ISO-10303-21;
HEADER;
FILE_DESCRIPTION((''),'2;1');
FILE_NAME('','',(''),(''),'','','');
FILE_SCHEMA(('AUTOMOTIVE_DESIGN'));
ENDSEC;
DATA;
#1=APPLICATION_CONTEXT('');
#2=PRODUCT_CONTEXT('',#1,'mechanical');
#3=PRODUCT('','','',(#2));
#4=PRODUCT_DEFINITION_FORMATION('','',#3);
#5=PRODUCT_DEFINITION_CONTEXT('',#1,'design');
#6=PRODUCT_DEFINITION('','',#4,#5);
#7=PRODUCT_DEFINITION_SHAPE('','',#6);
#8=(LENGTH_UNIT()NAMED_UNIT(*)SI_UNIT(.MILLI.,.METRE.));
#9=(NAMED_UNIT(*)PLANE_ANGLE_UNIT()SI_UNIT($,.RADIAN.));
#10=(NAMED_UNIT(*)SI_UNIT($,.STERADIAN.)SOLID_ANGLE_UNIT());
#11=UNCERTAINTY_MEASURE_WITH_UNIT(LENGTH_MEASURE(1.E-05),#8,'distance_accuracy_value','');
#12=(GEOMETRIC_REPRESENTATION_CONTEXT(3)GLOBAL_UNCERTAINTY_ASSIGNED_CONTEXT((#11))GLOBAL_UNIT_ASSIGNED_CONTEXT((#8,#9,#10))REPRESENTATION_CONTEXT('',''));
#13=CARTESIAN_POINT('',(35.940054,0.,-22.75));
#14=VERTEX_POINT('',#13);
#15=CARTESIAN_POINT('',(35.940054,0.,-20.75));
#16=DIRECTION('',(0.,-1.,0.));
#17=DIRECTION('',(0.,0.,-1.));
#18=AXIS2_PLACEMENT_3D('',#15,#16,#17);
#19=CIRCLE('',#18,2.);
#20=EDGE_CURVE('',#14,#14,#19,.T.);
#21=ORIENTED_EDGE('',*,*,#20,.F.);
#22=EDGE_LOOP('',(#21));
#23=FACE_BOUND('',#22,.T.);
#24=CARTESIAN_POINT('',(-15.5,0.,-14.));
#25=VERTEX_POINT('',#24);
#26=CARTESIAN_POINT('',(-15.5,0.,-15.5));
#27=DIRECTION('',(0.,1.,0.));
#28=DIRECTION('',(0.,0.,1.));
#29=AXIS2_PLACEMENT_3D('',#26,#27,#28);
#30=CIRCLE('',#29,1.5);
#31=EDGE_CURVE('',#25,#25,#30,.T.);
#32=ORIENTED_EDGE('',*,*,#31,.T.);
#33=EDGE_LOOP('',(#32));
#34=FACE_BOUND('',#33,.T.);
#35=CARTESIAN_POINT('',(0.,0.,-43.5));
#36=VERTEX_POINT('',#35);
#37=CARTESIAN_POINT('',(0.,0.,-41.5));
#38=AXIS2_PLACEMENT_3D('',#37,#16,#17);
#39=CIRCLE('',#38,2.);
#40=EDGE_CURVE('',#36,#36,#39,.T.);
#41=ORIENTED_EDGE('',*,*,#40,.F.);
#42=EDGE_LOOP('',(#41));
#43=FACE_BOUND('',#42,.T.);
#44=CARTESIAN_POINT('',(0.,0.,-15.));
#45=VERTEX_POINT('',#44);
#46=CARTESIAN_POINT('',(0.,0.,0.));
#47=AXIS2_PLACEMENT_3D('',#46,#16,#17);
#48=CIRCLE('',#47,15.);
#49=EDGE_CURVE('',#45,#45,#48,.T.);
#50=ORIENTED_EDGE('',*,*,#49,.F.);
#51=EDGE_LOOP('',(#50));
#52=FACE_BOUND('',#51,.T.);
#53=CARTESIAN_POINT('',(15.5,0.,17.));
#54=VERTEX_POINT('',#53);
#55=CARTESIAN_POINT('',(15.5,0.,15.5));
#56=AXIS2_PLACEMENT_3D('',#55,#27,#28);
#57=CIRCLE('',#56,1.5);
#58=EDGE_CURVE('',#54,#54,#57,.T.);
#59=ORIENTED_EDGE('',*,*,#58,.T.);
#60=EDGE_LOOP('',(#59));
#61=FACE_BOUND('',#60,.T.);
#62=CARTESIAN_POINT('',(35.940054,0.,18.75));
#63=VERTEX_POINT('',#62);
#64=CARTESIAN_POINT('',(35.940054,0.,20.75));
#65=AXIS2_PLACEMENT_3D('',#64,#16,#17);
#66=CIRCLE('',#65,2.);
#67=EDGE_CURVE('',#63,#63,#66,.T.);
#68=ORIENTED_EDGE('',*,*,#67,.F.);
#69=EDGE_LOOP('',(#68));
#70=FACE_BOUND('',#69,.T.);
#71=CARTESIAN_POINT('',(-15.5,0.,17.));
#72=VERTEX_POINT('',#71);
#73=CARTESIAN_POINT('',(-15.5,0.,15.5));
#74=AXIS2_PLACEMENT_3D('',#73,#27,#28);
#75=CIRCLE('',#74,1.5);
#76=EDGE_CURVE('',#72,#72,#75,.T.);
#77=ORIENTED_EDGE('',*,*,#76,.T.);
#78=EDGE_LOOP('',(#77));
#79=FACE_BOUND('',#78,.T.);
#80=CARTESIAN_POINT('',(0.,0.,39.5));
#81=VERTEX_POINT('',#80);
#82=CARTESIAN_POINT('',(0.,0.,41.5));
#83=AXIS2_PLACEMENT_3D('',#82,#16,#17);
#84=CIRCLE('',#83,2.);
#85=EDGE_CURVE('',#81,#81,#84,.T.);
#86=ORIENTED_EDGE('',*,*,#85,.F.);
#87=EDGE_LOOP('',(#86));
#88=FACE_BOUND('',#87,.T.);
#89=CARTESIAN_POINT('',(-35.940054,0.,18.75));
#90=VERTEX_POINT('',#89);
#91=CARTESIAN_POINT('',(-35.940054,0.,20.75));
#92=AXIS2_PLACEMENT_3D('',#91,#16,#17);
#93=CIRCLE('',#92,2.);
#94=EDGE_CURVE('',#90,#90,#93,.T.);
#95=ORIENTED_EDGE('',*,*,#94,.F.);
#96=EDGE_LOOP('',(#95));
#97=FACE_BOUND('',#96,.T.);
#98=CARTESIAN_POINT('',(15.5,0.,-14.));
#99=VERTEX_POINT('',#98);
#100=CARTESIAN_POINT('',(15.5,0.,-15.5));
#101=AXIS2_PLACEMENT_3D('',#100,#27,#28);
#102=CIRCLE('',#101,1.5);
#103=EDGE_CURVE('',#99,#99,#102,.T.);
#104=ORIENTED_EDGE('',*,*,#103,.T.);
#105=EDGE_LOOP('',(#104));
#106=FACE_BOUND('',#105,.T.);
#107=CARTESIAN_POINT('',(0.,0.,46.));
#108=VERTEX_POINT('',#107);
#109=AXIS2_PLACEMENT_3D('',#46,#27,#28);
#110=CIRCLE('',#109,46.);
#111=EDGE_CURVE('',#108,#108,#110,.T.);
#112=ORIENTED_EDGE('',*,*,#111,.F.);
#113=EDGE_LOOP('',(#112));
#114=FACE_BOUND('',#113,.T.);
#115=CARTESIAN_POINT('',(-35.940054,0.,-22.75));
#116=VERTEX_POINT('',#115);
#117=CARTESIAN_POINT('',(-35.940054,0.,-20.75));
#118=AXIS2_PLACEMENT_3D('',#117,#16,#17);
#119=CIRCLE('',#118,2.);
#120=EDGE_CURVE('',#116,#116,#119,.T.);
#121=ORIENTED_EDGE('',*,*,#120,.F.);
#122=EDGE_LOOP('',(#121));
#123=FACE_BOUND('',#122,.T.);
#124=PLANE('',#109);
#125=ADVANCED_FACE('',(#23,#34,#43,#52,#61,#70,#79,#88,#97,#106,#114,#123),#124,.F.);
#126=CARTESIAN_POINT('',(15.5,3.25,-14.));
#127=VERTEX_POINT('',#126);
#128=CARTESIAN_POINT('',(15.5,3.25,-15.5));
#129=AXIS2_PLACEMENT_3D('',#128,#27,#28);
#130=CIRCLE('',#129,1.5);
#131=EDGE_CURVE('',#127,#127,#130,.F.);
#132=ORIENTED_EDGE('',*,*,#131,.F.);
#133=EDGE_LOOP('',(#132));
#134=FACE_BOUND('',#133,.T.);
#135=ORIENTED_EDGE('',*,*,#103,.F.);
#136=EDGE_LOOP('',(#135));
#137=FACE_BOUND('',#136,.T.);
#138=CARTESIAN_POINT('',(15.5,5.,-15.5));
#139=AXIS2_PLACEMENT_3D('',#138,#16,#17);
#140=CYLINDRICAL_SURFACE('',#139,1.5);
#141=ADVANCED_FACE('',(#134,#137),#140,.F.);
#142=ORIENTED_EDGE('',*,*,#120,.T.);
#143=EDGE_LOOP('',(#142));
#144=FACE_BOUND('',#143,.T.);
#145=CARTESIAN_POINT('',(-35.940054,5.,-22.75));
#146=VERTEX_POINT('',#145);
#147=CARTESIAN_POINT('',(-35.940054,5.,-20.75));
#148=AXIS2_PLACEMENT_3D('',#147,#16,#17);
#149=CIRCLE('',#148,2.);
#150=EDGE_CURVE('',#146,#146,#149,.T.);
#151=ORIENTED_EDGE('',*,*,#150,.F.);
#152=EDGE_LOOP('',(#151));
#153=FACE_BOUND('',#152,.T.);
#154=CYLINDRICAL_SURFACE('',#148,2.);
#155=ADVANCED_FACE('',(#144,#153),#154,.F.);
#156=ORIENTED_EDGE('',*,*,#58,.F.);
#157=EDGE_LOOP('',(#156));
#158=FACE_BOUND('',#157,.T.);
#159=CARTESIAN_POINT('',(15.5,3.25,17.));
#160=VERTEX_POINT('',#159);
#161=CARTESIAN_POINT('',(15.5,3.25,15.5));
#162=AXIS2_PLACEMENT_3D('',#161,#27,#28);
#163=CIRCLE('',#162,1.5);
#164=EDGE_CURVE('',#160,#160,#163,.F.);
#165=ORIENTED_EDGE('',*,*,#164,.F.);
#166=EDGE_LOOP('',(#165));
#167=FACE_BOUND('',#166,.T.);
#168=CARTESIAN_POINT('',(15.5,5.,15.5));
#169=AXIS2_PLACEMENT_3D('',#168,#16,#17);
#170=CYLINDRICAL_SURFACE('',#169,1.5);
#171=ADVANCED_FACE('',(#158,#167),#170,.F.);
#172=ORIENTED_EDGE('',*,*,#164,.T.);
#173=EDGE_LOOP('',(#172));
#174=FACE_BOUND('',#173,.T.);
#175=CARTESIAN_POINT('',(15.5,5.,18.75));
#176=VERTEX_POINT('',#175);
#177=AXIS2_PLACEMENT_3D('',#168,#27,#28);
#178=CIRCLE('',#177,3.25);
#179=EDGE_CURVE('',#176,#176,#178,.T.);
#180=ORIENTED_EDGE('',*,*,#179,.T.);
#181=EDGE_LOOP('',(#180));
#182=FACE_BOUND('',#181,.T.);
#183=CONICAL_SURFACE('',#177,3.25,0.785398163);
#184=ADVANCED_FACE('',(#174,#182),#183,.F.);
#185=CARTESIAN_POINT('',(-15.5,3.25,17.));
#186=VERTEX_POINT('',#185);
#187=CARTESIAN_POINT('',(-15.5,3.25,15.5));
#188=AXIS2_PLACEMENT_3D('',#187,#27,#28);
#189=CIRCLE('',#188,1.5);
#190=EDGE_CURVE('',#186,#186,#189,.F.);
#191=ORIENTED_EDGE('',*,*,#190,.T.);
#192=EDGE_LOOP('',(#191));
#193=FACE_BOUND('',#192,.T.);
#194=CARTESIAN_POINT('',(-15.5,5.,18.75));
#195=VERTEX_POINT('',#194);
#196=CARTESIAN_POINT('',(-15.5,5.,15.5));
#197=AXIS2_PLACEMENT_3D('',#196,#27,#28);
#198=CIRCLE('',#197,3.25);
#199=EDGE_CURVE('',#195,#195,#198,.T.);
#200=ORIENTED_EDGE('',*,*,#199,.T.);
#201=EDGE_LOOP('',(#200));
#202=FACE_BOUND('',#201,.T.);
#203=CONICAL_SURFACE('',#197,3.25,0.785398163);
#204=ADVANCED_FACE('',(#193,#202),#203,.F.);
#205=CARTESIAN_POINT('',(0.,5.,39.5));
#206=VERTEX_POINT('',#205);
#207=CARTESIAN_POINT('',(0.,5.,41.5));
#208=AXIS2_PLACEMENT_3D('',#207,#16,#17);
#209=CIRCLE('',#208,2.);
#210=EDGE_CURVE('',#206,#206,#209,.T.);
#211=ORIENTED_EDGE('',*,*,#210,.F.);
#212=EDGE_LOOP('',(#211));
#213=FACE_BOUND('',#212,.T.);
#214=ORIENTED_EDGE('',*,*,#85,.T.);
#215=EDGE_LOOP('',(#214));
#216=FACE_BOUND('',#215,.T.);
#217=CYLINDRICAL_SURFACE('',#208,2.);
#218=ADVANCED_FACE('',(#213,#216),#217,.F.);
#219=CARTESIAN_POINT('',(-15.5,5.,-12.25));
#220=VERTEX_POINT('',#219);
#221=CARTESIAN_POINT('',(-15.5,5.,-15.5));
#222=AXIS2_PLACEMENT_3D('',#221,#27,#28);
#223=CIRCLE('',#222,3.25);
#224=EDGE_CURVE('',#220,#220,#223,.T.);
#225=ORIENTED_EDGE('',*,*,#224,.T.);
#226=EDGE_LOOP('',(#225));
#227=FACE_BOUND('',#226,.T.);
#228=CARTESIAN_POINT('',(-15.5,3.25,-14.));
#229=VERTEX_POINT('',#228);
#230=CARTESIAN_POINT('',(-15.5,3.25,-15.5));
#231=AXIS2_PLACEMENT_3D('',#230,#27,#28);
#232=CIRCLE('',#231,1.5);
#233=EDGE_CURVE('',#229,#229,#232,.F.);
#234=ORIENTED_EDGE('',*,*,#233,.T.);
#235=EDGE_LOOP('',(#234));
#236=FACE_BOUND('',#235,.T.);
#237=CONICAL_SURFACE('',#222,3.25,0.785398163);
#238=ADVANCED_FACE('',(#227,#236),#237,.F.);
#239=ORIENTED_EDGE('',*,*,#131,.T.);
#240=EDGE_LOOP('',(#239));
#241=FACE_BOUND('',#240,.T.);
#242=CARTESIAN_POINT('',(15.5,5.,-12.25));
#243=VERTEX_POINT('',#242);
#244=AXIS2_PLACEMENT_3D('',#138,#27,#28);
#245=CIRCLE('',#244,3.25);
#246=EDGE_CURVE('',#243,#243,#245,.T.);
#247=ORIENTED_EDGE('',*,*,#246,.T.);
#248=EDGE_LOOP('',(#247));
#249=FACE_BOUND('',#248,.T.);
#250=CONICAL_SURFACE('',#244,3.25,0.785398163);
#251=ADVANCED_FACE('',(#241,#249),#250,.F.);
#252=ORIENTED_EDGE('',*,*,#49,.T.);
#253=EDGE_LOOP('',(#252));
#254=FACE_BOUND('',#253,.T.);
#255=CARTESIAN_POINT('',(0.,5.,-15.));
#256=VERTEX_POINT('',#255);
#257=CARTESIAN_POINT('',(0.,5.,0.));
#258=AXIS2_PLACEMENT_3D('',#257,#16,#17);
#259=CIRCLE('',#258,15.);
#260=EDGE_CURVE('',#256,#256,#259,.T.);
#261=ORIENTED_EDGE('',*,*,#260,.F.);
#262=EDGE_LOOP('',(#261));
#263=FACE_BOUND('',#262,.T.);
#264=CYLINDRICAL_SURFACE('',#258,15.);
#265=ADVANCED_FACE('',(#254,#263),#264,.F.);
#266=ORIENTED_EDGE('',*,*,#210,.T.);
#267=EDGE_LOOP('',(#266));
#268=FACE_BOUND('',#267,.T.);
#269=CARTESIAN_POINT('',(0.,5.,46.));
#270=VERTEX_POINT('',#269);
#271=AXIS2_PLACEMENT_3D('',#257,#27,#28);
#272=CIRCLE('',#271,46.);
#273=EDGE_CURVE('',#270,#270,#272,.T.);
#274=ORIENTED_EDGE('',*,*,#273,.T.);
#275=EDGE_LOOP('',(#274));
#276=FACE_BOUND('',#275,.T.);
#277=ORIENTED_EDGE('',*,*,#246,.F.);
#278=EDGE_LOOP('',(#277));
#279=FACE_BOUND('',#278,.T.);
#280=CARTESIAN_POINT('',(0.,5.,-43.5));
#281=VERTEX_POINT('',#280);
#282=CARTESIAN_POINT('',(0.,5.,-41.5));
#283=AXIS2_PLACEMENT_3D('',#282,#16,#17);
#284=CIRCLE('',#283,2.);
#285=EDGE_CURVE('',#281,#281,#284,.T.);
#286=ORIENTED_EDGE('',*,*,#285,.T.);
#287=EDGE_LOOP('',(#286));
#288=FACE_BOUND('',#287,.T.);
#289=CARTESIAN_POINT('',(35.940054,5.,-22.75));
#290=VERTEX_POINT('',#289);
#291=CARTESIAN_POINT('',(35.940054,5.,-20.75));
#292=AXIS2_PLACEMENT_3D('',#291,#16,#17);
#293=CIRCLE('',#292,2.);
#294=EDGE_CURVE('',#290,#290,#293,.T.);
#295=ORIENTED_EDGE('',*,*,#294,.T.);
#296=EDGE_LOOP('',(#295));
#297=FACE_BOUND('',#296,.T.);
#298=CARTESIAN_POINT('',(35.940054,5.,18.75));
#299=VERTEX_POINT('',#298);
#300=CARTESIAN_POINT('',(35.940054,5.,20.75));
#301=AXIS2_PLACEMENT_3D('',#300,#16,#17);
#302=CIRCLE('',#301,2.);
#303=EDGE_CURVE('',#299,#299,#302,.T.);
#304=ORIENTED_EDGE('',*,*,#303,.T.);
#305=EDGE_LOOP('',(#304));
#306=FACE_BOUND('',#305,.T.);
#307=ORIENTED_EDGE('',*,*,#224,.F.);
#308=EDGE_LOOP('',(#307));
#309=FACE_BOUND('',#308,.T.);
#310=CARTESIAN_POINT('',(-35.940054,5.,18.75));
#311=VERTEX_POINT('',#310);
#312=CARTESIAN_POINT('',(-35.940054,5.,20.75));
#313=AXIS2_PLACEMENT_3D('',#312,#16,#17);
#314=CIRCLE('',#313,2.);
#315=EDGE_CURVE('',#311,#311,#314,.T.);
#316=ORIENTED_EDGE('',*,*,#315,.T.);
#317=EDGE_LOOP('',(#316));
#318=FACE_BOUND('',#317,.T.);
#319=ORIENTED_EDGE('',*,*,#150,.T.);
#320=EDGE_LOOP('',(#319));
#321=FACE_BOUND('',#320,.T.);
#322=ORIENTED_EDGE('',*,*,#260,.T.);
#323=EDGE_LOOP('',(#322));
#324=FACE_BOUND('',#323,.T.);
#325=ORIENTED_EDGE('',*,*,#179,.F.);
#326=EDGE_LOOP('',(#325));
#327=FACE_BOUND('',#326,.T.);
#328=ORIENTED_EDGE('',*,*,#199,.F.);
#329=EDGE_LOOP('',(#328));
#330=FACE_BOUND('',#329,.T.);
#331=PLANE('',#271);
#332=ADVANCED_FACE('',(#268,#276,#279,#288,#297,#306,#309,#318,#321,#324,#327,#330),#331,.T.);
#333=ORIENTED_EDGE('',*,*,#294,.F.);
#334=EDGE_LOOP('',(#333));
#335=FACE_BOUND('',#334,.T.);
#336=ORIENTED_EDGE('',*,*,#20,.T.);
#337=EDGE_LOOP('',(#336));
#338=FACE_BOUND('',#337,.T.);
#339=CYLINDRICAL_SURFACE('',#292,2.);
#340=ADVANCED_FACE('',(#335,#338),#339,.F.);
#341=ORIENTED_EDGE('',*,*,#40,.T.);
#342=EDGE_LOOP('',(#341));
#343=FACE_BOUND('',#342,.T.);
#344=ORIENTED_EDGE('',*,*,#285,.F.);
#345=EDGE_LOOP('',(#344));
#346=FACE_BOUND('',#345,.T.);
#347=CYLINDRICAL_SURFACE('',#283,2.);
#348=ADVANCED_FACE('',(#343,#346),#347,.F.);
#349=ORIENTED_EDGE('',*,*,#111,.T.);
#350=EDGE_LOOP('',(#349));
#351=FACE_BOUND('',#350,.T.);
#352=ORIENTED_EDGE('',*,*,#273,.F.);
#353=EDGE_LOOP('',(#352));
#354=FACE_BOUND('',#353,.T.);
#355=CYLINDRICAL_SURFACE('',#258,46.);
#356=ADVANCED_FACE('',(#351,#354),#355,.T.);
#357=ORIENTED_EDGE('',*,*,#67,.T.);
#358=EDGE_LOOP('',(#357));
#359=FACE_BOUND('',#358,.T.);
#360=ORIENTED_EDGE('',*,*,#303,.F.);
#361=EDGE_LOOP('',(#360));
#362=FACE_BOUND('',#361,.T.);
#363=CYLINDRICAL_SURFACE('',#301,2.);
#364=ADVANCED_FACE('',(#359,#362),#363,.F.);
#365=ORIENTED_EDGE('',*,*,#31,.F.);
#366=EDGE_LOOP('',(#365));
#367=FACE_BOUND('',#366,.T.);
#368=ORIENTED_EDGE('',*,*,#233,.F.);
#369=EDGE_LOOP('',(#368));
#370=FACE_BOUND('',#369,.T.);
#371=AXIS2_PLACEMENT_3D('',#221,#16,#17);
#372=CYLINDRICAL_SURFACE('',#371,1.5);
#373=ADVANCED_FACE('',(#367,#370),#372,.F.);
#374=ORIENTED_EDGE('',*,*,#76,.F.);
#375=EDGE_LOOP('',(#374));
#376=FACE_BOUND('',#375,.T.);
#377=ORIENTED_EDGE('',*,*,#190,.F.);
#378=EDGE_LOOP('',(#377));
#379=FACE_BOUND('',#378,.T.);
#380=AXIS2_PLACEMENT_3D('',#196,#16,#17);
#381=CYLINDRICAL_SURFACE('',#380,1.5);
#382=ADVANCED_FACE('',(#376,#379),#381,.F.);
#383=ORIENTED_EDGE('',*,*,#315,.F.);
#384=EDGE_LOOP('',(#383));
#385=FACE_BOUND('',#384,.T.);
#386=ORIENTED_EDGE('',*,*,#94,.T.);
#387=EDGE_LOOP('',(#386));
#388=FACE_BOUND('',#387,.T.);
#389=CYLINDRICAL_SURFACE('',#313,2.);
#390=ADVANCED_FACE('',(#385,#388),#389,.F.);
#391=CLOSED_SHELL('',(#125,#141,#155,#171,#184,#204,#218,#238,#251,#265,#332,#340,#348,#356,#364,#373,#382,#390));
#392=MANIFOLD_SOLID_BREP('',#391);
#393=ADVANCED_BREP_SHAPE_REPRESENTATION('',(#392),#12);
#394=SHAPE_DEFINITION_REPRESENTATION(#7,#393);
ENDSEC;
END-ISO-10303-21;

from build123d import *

# Parameters (mm, degrees)
SKETCH1_R                                            = 46
SKETCH1_R_2                                          = 1.5
BOSS_EXTRUDE1_DEPTH                                  = 5
SKETCH3_R                                            = 2
CUT_EXTRUDE2_DEPTH                                   = 66.245689513
SKETCH7_R                                            = 15
CUT_EXTRUDE3_DEPTH                                   = 66.245689513
CSK_FOR_M3_SOCKET_COUNTERSUNK_HEAD_SCREW_D           = 2.8
CSK_FOR_M3_SOCKET_COUNTERSUNK_HEAD_SCREW_CSINK_D     = 6.5
CSK_FOR_M3_SOCKET_COUNTERSUNK_HEAD_SCREW_CSINK_ANGLE = 90


with BuildPart() as part:
    # Sketch1 → Boss-Extrude1 (new body)
    with BuildSketch(Plane(origin=(0, 0, 0), x_dir=(1, 0, 0), z_dir=(0, 1, 0))):
        Circle(SKETCH1_R)
        with Locations((-15.5, -15.5)):
            Circle(SKETCH1_R_2, mode=Mode.SUBTRACT)
        with Locations((15.5, -15.5)):
            Circle(SKETCH1_R_2, mode=Mode.SUBTRACT)
        with Locations((-15.5, 15.5)):
            Circle(SKETCH1_R_2, mode=Mode.SUBTRACT)
        with Locations((15.5, 15.5)):
            Circle(SKETCH1_R_2, mode=Mode.SUBTRACT)
    extrude(amount=BOSS_EXTRUDE1_DEPTH)

    # Sketch3 → Cut-Extrude2 (cut, through all)
    with BuildSketch(Plane.XZ):
        with Locations((0, 41.5)):
            Circle(SKETCH3_R)
        with Locations((35.940054257, 20.75)):
            Circle(SKETCH3_R)
        with Locations((35.940054257, -20.75)):
            Circle(SKETCH3_R)
        with Locations((0, -41.5)):
            Circle(SKETCH3_R)
        with Locations((-35.940054257, -20.75)):
            Circle(SKETCH3_R)
        with Locations((-35.940054257, 20.75)):
            Circle(SKETCH3_R)
    extrude(amount=-CUT_EXTRUDE2_DEPTH, mode=Mode.SUBTRACT)

    # Sketch7 → Cut-Extrude3 (cut, through all)
    with BuildSketch(Plane.XZ):
        Circle(SKETCH7_R)
    extrude(amount=-CUT_EXTRUDE3_DEPTH, mode=Mode.SUBTRACT)

    # CSK for M3 socket countersunk head screw1 (through all)
    with Locations(Plane(origin=(15.5, 5, -15.5), x_dir=(0, 0, 1), z_dir=(0, 1, 0))):
        with Locations((0, 0), (31, 0), (31, -31), (0, -31)):
            CounterSinkHole(CSK_FOR_M3_SOCKET_COUNTERSUNK_HEAD_SCREW_D / 2, CSK_FOR_M3_SOCKET_COUNTERSUNK_HEAD_SCREW_CSINK_D / 2, counter_sink_angle=CSK_FOR_M3_SOCKET_COUNTERSUNK_HEAD_SCREW_CSINK_ANGLE)


solid = part.part
